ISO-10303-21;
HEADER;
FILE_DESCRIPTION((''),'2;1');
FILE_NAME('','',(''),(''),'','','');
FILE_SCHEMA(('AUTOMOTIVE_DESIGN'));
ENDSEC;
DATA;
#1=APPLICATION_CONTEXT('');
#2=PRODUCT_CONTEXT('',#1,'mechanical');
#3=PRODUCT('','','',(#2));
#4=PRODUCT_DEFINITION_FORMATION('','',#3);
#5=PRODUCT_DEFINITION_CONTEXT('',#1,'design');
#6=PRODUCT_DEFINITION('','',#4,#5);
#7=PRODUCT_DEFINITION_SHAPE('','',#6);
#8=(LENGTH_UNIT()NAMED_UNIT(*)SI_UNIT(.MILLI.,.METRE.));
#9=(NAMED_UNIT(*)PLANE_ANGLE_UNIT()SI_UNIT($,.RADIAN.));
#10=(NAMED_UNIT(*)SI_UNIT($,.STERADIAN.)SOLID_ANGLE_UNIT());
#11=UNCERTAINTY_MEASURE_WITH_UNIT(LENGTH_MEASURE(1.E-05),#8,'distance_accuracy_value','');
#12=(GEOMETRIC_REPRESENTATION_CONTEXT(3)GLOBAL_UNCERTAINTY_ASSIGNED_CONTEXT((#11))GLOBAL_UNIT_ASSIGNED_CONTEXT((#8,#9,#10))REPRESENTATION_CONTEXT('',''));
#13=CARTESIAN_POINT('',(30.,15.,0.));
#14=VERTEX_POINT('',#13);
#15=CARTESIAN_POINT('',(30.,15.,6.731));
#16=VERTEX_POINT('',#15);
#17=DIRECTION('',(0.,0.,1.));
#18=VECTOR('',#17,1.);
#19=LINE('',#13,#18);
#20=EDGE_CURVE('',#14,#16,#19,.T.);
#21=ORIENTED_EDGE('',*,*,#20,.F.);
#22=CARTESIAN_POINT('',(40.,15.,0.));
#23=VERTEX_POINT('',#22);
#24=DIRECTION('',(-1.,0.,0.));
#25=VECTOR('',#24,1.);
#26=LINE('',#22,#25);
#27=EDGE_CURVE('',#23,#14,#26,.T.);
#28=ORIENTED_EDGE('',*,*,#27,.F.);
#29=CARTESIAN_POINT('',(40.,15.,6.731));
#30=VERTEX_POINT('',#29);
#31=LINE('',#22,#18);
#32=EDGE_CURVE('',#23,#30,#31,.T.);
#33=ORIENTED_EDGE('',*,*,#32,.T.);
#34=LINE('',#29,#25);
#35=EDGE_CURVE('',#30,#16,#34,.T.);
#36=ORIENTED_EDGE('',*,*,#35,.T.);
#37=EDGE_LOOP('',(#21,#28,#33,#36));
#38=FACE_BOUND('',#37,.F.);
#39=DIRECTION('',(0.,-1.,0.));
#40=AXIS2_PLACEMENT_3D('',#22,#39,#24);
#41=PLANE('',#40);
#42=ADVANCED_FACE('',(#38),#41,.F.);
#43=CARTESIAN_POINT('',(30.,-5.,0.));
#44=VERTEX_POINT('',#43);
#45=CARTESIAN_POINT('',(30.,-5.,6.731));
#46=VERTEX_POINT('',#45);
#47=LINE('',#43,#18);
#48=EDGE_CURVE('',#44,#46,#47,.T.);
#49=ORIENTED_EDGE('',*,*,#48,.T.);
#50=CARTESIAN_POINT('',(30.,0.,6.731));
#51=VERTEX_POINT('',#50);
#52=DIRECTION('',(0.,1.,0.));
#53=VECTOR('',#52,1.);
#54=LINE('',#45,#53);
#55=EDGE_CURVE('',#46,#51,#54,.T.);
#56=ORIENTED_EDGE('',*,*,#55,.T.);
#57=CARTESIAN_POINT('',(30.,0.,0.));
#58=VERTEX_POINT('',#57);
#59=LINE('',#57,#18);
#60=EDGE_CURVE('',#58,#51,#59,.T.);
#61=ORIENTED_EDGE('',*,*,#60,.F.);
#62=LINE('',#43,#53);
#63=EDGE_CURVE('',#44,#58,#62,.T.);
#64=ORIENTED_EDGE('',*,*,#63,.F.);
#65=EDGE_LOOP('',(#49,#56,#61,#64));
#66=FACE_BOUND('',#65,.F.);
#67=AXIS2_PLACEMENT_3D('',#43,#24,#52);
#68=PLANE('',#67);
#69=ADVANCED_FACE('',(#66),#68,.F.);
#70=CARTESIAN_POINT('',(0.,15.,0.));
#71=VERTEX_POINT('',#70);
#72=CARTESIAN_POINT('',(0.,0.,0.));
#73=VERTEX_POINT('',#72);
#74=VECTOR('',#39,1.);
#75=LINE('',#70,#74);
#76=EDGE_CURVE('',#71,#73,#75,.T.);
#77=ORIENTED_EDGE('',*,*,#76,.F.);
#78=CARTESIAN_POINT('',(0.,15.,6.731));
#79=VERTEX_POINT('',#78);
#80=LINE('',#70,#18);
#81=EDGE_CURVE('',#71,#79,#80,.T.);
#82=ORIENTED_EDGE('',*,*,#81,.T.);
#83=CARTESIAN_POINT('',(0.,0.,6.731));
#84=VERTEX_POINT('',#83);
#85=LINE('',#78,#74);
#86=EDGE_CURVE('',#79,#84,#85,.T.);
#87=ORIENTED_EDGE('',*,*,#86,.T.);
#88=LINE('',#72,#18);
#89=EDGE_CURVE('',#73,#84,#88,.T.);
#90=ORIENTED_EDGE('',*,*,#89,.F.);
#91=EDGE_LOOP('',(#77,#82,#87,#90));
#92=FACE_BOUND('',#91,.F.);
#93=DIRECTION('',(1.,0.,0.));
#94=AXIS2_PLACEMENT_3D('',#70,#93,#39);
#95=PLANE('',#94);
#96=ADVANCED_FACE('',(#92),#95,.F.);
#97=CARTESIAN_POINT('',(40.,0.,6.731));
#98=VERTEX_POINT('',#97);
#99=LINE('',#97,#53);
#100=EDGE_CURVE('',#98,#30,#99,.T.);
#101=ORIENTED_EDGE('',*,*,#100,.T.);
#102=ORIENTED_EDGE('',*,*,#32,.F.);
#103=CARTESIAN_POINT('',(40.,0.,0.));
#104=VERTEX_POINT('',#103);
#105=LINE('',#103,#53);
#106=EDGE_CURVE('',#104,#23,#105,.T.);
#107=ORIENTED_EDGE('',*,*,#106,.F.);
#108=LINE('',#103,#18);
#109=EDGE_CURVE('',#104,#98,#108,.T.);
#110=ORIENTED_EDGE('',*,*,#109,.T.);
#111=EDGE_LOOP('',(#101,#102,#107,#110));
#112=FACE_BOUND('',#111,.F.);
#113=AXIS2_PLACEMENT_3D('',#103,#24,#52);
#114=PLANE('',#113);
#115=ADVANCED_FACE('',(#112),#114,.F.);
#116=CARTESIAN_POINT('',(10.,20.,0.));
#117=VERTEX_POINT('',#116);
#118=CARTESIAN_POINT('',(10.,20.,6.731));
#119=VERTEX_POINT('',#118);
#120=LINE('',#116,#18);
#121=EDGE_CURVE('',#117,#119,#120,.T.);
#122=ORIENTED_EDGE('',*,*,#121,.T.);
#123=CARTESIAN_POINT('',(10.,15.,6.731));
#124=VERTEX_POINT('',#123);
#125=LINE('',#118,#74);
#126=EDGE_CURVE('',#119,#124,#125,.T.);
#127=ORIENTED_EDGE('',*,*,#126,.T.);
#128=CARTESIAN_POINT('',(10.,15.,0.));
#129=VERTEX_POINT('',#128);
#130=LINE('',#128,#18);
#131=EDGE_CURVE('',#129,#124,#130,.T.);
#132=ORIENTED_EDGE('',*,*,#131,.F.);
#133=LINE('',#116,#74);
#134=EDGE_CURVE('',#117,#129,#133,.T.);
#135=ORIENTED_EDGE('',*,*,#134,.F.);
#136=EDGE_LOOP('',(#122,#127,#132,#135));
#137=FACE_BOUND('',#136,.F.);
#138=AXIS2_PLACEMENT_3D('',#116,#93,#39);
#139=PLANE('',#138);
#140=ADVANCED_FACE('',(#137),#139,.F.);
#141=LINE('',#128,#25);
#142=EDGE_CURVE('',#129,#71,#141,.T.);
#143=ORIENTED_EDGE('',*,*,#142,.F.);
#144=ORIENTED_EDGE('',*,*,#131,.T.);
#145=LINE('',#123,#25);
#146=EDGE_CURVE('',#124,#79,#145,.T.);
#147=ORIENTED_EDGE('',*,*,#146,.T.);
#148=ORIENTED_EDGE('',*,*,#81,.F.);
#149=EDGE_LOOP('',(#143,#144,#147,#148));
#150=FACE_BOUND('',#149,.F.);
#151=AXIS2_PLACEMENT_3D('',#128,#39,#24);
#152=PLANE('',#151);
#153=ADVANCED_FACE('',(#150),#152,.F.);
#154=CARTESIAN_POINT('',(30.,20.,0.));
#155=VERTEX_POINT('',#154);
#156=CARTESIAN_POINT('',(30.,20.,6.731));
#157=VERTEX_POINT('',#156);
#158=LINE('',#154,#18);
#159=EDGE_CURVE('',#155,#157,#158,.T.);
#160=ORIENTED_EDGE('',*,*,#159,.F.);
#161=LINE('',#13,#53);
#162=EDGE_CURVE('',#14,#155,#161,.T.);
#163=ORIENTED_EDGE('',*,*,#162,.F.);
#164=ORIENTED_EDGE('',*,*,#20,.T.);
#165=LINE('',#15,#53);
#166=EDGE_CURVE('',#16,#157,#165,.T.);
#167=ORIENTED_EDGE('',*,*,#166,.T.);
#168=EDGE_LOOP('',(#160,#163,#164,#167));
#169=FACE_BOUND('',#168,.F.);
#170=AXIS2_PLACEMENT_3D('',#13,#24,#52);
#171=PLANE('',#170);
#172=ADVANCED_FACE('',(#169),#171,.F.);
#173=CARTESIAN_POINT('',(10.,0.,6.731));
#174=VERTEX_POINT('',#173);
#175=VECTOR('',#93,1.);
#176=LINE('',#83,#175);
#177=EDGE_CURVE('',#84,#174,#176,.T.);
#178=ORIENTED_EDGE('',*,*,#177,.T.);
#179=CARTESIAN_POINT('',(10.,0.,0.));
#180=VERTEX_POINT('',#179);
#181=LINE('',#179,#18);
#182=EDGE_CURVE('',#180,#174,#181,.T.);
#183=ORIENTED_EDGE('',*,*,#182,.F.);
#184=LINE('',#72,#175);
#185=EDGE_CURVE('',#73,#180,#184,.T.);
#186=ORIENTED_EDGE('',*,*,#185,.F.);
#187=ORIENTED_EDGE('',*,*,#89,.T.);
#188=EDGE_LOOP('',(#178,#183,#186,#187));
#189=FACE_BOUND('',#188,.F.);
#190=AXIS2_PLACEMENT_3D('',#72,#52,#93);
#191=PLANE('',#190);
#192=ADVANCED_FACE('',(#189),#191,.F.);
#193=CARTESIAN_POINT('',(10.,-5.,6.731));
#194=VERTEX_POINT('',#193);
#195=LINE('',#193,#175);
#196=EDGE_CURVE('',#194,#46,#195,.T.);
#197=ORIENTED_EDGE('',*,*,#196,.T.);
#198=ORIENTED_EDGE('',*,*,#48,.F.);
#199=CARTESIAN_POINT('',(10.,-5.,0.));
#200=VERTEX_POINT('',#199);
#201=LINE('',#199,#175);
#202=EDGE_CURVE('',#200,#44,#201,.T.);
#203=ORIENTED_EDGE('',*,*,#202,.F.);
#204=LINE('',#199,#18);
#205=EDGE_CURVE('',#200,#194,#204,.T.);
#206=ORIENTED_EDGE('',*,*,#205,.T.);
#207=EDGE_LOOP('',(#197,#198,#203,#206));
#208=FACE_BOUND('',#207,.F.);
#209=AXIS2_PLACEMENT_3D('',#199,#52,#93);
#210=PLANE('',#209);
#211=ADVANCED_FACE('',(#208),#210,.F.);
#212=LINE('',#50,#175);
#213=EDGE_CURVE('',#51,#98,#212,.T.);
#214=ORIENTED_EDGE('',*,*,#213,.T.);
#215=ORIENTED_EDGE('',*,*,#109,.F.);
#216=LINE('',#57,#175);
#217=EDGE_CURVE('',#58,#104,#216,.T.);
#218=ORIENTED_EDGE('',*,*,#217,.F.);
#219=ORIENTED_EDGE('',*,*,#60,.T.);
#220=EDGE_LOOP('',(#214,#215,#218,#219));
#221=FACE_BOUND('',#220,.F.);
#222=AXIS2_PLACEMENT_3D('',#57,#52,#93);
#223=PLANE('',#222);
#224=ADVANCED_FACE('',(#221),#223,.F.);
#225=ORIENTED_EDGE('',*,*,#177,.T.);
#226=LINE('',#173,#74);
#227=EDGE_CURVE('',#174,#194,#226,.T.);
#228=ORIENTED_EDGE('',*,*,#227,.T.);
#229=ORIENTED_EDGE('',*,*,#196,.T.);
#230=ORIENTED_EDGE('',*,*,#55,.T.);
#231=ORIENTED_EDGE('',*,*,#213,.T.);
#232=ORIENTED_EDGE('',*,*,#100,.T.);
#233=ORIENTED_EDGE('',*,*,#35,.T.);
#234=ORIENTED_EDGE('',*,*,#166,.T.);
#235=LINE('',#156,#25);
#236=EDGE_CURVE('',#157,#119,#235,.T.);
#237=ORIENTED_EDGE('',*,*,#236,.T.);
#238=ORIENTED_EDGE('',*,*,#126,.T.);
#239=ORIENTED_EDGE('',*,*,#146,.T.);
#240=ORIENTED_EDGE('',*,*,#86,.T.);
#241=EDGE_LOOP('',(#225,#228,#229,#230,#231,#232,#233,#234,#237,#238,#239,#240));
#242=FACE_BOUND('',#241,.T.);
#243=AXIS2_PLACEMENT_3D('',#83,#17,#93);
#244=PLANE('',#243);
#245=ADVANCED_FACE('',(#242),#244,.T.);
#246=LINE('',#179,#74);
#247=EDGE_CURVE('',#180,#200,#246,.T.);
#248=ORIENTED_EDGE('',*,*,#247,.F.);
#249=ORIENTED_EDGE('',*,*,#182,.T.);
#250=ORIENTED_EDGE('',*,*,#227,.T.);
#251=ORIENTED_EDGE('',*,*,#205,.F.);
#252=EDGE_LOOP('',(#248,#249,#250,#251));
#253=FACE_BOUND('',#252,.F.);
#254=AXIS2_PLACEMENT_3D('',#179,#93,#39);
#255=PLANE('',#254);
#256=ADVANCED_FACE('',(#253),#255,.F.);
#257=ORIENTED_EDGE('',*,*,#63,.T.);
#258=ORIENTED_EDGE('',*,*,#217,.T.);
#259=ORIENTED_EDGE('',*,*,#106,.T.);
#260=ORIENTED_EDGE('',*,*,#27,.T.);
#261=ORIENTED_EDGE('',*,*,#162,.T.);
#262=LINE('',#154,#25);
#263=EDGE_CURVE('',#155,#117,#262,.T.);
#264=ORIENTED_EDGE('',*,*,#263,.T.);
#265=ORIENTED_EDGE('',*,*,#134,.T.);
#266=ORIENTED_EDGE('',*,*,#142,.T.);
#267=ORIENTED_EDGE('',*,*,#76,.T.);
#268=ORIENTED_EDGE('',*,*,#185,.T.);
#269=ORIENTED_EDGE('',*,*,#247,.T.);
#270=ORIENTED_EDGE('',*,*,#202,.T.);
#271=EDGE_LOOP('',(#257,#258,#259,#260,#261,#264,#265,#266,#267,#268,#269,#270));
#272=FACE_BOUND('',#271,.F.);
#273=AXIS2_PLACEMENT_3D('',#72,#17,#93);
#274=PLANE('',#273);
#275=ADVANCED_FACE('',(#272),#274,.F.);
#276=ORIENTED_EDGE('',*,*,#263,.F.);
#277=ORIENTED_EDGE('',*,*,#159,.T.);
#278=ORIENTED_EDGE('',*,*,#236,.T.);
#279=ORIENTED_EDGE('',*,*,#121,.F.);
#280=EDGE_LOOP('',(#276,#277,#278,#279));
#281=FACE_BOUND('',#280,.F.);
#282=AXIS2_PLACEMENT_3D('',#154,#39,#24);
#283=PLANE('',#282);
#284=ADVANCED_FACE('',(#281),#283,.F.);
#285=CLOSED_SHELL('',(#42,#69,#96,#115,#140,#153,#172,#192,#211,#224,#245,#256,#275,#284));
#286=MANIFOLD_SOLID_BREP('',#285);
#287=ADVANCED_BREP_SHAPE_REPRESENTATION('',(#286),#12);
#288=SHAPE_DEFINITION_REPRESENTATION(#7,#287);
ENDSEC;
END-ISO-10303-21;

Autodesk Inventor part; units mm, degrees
ref_plane "YZ Plane" through (0, 0, 0) normal (1, 0, 0) x (0, 1, 0)
ref_plane "XZ Plane" through (0, 0, 0) normal (0, 1, 0) x (-1, 0, 0)
ref_plane "XY Plane" through (0, 0, 0) normal (0, 0, 1) x (1, 0, 0)
sketch "Sketch1" plane through (0, 0, 0) normal (0, 0, 1) x (1, 0, 0)
  line L0 (0, 0) -> (10, 0)
  line L1 (10, 0) -> (10, -5)
  line L2 (10, -5) -> (30, -5)
  line L3 (30, -5) -> (30, 0)
  line L4 (30, 0) -> (40, 0)
  line L5 (40, 0) -> (40, 15)
  line L6 (40, 15) -> (30, 15)
  line L7 (30, 15) -> (30, 20)
  line L8 (30, 20) -> (10, 20)
  line L9 (10, 20) -> (10, 15)
  line L10 (10, 15) -> (0, 15)
  line L11 (0, 15) -> (0, 0)
  dimension "d0" = 20
  dimension "d1" = 10
  dimension "d2" = 5
  dimension "d3" = 15
extrude "Extrusion1" add sketch "Sketch1" along normal blind 6.731
equation "\"d4\" = THICKB"
equation "\"THICKA\" = 3.175"
equation "\"THICKB\" = 6.731"
equation "\"THICKC\" = 12.7"
equation "\"MAGDIA\" = 9.5"
equation "\"BALLDIA\" = 12"
equation "\"THICKPLY\" = 5"
properties part number "Frame_Upper_Vertical_Plate_C"
